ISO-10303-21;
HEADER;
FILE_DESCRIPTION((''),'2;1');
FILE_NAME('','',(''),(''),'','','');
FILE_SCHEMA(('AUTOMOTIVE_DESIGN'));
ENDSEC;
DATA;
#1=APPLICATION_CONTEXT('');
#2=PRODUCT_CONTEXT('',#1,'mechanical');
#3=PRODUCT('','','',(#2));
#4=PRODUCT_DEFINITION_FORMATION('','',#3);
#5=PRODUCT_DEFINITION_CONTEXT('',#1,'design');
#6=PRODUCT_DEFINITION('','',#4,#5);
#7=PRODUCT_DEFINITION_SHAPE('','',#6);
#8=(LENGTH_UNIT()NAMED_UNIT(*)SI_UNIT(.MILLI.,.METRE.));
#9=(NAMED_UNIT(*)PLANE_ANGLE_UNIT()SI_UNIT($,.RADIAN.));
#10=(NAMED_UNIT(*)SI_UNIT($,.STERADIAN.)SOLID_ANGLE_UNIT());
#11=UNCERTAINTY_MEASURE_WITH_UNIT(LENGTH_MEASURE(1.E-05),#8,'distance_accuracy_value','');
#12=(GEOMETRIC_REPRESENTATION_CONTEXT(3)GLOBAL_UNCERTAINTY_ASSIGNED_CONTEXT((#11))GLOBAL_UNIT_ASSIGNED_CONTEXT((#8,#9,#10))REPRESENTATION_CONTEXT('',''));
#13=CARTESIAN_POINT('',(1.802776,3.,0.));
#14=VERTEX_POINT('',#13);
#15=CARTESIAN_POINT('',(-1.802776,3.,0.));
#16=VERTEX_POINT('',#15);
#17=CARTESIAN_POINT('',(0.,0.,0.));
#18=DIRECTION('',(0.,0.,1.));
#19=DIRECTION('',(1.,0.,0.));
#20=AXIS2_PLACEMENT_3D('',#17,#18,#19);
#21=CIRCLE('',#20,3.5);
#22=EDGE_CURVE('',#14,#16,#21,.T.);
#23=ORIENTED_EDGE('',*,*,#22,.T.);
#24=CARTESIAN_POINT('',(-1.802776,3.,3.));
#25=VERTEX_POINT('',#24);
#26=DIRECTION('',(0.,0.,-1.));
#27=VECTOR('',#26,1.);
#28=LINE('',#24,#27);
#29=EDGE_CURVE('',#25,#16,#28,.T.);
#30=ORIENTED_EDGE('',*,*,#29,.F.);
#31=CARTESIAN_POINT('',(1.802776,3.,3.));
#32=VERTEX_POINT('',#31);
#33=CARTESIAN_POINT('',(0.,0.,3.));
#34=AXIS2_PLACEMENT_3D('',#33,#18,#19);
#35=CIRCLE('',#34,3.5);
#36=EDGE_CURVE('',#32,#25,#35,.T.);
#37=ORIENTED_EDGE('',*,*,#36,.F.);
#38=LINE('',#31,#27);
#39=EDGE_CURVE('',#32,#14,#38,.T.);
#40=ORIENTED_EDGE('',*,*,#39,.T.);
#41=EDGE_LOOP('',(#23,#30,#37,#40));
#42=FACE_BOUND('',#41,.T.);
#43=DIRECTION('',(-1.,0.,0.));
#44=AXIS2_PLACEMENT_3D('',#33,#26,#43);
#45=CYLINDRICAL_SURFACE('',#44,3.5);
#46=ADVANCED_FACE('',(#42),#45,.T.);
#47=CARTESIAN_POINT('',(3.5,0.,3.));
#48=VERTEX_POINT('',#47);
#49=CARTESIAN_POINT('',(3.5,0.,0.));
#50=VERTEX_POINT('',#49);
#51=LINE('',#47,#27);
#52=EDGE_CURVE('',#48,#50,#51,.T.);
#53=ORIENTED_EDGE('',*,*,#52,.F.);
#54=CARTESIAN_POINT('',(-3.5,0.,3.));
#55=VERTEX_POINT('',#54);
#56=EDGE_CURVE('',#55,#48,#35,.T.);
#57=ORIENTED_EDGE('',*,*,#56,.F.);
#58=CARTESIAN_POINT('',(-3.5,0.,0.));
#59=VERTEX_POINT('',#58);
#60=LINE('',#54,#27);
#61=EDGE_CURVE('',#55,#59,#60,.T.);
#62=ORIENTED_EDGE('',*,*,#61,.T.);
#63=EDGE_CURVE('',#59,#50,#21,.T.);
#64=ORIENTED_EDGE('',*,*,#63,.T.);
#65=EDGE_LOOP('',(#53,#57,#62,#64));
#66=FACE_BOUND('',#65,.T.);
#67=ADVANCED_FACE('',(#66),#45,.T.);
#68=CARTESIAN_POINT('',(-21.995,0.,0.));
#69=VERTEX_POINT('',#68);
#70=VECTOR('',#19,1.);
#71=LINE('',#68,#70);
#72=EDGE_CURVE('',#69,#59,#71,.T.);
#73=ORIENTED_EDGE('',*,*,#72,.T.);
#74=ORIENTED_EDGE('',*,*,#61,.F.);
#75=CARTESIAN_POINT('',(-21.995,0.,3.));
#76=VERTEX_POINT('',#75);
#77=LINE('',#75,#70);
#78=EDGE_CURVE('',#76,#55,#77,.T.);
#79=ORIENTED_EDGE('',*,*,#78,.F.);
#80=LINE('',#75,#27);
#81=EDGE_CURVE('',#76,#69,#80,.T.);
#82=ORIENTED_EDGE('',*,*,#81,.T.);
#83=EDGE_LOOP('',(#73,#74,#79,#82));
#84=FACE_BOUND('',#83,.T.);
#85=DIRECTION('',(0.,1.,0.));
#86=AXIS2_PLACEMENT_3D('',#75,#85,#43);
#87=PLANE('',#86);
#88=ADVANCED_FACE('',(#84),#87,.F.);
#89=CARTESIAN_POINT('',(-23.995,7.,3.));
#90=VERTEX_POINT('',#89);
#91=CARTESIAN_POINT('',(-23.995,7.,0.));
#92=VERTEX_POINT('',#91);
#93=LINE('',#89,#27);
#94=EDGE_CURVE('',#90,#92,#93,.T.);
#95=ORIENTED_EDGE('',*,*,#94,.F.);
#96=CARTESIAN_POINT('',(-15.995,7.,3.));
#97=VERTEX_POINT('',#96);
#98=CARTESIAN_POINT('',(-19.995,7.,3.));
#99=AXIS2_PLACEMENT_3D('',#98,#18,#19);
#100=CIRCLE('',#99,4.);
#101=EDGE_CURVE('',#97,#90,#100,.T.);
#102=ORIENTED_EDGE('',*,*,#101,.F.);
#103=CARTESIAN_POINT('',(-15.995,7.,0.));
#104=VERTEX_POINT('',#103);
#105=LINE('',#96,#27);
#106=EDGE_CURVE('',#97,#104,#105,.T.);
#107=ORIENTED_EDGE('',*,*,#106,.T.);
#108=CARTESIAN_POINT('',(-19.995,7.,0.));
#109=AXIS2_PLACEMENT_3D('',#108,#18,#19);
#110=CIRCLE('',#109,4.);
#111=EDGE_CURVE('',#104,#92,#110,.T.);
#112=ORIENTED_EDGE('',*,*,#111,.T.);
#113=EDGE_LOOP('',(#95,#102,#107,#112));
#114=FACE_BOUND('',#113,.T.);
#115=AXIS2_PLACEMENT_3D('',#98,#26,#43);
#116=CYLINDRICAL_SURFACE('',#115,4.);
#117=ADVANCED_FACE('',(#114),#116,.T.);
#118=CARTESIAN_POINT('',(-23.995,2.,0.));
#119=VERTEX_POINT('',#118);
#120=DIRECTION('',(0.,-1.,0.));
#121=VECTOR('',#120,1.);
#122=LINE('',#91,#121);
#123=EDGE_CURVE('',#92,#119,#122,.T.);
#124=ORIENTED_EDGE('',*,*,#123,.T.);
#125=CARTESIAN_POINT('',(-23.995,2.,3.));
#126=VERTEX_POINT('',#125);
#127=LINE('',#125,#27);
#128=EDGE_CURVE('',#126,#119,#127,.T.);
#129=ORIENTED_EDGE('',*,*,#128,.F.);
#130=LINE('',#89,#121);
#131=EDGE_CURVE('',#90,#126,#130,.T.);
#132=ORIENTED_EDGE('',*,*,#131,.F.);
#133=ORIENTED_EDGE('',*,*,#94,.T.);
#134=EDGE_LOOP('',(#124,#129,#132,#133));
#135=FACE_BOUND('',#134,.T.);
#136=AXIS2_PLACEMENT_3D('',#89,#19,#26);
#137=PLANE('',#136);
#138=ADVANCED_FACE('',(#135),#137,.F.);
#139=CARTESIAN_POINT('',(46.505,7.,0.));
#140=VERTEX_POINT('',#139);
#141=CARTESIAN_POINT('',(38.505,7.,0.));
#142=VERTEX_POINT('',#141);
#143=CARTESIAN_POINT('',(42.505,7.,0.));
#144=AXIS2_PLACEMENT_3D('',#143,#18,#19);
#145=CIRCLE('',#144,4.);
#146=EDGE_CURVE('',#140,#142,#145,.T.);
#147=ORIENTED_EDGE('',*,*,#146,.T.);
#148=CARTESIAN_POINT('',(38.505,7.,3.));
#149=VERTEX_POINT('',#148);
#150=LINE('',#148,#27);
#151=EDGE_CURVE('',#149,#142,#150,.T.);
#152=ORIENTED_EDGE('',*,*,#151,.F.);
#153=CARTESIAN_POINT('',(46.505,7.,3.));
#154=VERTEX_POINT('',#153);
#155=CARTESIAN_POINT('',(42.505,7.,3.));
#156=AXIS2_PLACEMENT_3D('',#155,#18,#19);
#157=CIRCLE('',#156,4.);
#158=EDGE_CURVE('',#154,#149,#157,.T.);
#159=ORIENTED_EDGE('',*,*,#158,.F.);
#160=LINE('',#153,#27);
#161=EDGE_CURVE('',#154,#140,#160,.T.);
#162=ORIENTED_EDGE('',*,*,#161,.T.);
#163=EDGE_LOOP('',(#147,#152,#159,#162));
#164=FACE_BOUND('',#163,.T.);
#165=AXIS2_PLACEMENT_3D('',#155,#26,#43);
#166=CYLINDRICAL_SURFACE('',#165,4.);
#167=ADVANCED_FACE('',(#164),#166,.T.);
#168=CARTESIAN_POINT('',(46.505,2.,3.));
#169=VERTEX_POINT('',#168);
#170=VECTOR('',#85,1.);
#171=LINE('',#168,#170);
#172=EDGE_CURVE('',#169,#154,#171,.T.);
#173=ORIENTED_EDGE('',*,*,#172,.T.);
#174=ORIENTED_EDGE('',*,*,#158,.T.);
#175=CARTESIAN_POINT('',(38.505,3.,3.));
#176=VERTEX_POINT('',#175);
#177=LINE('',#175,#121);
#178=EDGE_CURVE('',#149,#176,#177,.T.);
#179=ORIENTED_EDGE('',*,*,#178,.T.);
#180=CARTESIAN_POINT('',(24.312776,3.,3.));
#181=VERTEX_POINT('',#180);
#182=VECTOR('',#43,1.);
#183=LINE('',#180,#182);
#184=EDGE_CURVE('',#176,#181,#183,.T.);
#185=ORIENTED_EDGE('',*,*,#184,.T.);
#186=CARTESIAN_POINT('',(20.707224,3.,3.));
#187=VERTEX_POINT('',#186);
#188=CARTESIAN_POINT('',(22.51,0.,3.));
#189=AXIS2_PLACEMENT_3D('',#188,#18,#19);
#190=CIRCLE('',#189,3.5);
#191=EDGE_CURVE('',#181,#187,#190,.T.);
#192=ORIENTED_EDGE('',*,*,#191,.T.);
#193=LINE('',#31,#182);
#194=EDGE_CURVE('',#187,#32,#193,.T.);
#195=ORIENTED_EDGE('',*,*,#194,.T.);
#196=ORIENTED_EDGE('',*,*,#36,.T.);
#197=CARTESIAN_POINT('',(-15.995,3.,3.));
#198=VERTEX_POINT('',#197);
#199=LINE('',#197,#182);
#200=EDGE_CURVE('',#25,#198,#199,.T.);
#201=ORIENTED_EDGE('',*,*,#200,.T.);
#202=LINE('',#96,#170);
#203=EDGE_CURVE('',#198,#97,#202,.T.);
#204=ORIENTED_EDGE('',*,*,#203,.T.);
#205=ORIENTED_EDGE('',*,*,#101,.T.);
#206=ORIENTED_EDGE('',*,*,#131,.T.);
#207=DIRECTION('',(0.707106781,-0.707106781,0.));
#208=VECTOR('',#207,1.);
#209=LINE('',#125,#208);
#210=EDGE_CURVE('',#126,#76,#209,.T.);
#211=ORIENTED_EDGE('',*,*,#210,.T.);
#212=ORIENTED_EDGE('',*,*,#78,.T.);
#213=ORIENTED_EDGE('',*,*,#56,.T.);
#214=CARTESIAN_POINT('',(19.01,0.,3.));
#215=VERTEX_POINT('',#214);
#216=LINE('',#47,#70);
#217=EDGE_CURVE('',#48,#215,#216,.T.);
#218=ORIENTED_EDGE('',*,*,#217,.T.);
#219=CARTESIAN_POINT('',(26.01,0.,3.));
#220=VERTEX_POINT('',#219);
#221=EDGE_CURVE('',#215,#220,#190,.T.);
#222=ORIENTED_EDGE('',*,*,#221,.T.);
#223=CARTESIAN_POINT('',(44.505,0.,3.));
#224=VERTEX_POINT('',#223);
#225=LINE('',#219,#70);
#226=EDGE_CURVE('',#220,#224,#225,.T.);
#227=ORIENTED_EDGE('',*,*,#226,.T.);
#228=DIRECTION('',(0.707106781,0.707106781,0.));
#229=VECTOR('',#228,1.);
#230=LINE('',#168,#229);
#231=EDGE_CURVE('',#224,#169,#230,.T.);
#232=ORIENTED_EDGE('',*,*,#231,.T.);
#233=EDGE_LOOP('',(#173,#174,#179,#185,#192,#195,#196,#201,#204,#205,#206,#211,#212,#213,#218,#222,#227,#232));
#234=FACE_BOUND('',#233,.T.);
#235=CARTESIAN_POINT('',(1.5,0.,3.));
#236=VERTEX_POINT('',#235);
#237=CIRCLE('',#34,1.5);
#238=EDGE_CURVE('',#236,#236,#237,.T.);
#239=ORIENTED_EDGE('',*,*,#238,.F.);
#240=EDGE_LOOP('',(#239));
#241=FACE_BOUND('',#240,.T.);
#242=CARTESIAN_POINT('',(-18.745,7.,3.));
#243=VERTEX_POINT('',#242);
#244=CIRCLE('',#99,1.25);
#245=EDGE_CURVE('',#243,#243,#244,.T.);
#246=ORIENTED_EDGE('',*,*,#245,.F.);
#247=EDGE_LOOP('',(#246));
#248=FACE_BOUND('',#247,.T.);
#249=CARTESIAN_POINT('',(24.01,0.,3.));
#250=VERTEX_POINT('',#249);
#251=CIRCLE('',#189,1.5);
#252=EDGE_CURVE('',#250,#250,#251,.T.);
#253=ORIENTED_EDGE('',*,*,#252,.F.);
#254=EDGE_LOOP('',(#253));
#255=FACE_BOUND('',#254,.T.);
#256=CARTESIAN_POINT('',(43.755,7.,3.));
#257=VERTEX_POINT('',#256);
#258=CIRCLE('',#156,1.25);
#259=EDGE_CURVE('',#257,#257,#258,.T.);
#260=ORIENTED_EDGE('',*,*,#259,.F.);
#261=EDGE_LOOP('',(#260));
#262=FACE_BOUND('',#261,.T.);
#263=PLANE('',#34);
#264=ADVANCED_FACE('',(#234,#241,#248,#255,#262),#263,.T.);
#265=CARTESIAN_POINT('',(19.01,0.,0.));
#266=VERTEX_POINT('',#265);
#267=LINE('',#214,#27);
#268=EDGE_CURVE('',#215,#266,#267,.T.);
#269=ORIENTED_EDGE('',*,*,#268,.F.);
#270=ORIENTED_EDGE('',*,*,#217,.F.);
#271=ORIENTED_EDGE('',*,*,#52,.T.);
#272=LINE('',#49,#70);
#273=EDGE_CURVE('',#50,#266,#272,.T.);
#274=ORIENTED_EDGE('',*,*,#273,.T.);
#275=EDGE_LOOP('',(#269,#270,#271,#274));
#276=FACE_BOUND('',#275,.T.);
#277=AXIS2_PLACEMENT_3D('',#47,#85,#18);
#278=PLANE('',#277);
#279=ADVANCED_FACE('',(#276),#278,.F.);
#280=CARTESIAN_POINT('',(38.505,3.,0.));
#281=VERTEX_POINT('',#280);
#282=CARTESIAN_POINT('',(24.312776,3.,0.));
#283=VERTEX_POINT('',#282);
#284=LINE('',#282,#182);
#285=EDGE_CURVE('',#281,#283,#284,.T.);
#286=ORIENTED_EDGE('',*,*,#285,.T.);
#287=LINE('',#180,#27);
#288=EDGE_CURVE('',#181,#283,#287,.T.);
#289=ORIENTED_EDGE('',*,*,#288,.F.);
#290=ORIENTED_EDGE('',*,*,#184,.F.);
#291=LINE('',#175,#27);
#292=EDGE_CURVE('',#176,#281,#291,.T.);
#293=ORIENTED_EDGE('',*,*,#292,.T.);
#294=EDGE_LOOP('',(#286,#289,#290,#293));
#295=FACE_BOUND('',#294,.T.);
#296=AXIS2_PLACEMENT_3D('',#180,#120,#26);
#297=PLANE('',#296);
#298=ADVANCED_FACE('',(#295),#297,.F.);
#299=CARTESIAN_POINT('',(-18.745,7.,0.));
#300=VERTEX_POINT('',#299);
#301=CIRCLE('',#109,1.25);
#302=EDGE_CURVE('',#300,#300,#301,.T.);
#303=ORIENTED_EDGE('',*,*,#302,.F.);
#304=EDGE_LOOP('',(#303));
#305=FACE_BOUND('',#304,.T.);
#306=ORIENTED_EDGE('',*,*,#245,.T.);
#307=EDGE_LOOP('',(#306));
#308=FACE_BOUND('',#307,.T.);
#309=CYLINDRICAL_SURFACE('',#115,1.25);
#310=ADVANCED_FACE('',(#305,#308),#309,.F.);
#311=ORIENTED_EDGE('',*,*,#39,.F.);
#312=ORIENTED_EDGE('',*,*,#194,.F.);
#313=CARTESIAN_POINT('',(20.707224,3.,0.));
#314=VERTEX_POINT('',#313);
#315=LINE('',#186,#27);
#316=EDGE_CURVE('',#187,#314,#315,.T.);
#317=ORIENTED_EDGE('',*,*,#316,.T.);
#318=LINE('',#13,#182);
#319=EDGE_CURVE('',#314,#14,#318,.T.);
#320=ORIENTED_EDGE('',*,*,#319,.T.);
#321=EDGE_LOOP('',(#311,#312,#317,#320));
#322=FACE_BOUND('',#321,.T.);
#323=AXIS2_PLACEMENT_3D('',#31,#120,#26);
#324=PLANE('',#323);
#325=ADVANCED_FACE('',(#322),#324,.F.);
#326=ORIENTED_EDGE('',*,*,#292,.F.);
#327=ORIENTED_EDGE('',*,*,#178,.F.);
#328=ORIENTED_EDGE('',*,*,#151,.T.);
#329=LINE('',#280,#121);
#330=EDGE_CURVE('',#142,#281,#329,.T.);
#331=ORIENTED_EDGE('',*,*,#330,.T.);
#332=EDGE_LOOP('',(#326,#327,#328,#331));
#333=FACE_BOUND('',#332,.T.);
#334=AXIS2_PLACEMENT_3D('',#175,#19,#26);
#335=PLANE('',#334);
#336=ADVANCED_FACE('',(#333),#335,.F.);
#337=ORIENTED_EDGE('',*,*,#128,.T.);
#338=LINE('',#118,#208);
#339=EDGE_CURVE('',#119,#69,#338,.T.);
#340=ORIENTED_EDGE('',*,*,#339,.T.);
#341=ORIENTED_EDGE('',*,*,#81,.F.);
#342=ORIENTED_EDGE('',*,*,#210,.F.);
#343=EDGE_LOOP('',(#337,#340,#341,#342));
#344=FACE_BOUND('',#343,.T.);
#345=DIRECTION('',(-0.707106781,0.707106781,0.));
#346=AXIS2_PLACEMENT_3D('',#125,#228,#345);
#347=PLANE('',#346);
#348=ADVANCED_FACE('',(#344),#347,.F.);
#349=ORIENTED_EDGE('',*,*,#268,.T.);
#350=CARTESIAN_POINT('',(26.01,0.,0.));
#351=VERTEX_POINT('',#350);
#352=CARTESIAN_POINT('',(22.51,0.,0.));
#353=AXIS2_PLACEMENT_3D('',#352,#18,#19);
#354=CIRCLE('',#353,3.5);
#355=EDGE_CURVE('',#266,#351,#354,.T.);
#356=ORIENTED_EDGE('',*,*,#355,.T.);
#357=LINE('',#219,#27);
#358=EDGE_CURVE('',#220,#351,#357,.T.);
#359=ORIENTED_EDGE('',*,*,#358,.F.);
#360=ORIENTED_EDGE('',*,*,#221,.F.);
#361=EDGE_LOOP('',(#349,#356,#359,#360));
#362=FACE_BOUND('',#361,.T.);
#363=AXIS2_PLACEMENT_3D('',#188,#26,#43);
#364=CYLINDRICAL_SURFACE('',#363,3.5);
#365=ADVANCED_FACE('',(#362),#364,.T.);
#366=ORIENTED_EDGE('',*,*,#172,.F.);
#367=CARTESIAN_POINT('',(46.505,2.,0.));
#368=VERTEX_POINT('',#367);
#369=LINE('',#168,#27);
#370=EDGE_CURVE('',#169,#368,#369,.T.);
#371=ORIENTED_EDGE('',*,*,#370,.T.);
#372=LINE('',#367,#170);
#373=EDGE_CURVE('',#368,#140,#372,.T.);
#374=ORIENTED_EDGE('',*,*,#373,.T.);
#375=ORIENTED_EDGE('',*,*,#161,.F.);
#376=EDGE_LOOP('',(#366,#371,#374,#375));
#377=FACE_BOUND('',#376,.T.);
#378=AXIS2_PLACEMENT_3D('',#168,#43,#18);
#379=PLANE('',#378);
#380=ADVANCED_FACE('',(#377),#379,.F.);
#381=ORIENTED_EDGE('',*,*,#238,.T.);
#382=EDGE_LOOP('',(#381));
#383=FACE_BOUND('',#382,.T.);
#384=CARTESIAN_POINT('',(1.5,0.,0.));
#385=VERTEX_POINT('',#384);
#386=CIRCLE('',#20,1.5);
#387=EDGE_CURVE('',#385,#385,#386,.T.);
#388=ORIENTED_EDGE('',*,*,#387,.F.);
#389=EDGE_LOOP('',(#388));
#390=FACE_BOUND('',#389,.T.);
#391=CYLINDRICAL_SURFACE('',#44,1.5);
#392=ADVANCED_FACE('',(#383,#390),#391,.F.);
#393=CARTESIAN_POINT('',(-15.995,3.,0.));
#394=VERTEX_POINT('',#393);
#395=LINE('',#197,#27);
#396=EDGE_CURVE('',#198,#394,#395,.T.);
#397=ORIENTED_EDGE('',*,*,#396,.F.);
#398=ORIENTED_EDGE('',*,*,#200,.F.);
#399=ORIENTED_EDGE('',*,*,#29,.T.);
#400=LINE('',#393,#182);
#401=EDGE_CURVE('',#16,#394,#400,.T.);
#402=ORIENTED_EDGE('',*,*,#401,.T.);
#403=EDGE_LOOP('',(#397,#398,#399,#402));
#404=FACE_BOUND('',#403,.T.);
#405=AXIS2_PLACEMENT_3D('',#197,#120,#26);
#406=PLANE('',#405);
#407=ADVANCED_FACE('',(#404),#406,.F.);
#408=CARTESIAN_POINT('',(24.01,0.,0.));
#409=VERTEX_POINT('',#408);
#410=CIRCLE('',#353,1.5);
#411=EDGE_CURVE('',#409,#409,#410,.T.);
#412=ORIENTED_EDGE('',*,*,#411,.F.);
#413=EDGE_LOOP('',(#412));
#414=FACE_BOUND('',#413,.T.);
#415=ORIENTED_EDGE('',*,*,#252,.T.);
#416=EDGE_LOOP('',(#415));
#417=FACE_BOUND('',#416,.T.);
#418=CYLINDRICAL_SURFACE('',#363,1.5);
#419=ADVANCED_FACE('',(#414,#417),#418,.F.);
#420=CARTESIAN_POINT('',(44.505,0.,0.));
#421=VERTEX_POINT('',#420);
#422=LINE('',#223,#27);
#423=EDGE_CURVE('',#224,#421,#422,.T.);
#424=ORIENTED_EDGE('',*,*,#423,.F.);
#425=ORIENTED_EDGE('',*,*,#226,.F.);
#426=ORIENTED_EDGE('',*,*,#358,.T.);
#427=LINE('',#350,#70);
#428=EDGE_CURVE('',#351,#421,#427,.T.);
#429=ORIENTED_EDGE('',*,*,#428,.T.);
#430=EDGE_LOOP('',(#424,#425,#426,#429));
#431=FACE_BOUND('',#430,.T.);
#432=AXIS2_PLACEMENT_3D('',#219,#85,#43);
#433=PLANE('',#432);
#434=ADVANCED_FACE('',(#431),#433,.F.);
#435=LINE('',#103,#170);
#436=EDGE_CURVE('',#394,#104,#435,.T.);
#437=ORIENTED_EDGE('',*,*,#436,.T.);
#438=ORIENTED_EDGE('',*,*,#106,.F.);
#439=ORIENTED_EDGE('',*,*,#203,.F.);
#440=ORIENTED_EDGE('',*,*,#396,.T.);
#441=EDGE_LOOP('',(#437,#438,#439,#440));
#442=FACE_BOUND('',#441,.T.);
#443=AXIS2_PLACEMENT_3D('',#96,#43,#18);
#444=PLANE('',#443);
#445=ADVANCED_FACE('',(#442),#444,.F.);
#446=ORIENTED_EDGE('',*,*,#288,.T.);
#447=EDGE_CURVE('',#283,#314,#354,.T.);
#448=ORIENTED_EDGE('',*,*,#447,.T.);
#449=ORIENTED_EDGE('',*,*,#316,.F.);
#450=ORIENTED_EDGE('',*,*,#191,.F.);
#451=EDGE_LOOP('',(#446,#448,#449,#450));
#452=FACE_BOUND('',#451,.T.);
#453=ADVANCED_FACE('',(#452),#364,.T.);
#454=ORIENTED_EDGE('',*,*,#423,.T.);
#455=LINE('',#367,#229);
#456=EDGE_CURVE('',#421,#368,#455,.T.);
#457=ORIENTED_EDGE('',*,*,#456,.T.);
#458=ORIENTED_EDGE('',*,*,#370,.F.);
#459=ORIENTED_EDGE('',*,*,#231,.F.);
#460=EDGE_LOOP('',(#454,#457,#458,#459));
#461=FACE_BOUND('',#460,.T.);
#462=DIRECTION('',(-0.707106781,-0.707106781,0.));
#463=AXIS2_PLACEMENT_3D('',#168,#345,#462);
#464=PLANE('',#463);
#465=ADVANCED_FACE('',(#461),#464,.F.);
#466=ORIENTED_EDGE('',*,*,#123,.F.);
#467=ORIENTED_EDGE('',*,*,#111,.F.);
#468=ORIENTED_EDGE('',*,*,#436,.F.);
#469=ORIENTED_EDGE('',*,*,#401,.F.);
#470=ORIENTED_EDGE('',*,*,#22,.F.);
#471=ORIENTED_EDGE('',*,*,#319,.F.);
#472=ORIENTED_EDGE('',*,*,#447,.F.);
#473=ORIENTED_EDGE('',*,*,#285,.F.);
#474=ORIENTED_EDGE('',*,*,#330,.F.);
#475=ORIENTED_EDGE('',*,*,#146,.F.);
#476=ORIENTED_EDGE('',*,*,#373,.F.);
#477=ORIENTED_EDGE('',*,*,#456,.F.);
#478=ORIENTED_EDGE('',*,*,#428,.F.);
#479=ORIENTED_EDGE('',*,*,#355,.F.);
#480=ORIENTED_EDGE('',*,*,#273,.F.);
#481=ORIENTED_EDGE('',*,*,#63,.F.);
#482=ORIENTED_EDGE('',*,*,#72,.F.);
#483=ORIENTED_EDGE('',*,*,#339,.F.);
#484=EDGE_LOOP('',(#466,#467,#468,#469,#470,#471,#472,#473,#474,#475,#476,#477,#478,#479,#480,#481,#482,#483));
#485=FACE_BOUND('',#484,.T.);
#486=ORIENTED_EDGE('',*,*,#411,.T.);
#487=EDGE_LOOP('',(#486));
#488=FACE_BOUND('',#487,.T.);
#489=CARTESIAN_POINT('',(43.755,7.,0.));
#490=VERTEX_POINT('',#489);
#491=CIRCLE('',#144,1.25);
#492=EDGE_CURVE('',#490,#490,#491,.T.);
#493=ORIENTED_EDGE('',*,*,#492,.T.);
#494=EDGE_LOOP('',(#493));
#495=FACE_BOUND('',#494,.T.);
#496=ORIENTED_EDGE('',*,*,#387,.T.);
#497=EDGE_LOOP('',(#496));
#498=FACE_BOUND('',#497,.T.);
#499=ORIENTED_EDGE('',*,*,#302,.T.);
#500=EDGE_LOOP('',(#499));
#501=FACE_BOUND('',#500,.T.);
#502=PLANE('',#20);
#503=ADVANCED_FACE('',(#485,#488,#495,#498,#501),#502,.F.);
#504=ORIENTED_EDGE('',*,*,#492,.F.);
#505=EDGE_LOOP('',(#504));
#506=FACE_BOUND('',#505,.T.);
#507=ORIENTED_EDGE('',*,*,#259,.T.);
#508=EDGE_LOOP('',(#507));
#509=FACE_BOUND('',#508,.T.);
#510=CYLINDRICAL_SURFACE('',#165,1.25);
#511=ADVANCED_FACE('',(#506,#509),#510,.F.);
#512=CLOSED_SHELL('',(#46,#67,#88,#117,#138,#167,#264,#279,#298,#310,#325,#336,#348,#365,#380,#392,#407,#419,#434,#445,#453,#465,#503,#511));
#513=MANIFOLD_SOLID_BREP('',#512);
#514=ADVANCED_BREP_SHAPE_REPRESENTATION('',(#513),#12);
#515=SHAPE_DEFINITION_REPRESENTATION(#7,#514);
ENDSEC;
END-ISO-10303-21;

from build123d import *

# Parameters (mm, degrees)
SKETCH_1_R      = 1.5
SKETCH_1_R_2    = 1.25
EXTRUDE_2_DEPTH = 3


with BuildPart() as part:
    # 草图1 → 凸台-拉伸2 (new body)
    with BuildSketch(Plane.XY):
        with BuildLine():
            Line((3.5, 0), (19.01, 0))
            ThreePointArc((19.01, 0), (22.51, -3.5), (26.01, 0))
            Line((26.01, 0), (44.505, 0))
            Line((44.505, 0), (46.505, 2))
            Line((46.505, 2), (46.505, 7))
            ThreePointArc((46.505, 7), (42.505, 11), (38.505, 7))
            Line((38.505, 7), (38.505, 3))
            Line((38.505, 3), (24.312775638, 3))
            ThreePointArc((24.312775638, 3), (22.51, 3.5), (20.707224362, 3))
            Line((20.707224362, 3), (1.802775638, 3))
            ThreePointArc((1.802775638, 3), (0, 3.5), (-1.802775638, 3))
            Line((-1.802775638, 3), (-15.995, 3))
            Line((-15.995, 3), (-15.995, 7))
            ThreePointArc((-15.995, 7), (-19.995, 11), (-23.995, 7))
            Line((-23.995, 7), (-23.995, 2))
            Line((-23.995, 2), (-21.995, 0))
            Line((-21.995, 0), (-3.5, 0))
            ThreePointArc((-3.5, 0), (0, -3.5), (3.5, 0))
        make_face()
        with Locations((22.51, 0)):
            Circle(SKETCH_1_R, mode=Mode.SUBTRACT)
        Circle(SKETCH_1_R, mode=Mode.SUBTRACT)
        with Locations((-19.995, 7)):
            Circle(SKETCH_1_R_2, mode=Mode.SUBTRACT)
        with Locations((42.505, 7)):
            Circle(SKETCH_1_R_2, mode=Mode.SUBTRACT)
    extrude(amount=EXTRUDE_2_DEPTH)


solid = part.part
